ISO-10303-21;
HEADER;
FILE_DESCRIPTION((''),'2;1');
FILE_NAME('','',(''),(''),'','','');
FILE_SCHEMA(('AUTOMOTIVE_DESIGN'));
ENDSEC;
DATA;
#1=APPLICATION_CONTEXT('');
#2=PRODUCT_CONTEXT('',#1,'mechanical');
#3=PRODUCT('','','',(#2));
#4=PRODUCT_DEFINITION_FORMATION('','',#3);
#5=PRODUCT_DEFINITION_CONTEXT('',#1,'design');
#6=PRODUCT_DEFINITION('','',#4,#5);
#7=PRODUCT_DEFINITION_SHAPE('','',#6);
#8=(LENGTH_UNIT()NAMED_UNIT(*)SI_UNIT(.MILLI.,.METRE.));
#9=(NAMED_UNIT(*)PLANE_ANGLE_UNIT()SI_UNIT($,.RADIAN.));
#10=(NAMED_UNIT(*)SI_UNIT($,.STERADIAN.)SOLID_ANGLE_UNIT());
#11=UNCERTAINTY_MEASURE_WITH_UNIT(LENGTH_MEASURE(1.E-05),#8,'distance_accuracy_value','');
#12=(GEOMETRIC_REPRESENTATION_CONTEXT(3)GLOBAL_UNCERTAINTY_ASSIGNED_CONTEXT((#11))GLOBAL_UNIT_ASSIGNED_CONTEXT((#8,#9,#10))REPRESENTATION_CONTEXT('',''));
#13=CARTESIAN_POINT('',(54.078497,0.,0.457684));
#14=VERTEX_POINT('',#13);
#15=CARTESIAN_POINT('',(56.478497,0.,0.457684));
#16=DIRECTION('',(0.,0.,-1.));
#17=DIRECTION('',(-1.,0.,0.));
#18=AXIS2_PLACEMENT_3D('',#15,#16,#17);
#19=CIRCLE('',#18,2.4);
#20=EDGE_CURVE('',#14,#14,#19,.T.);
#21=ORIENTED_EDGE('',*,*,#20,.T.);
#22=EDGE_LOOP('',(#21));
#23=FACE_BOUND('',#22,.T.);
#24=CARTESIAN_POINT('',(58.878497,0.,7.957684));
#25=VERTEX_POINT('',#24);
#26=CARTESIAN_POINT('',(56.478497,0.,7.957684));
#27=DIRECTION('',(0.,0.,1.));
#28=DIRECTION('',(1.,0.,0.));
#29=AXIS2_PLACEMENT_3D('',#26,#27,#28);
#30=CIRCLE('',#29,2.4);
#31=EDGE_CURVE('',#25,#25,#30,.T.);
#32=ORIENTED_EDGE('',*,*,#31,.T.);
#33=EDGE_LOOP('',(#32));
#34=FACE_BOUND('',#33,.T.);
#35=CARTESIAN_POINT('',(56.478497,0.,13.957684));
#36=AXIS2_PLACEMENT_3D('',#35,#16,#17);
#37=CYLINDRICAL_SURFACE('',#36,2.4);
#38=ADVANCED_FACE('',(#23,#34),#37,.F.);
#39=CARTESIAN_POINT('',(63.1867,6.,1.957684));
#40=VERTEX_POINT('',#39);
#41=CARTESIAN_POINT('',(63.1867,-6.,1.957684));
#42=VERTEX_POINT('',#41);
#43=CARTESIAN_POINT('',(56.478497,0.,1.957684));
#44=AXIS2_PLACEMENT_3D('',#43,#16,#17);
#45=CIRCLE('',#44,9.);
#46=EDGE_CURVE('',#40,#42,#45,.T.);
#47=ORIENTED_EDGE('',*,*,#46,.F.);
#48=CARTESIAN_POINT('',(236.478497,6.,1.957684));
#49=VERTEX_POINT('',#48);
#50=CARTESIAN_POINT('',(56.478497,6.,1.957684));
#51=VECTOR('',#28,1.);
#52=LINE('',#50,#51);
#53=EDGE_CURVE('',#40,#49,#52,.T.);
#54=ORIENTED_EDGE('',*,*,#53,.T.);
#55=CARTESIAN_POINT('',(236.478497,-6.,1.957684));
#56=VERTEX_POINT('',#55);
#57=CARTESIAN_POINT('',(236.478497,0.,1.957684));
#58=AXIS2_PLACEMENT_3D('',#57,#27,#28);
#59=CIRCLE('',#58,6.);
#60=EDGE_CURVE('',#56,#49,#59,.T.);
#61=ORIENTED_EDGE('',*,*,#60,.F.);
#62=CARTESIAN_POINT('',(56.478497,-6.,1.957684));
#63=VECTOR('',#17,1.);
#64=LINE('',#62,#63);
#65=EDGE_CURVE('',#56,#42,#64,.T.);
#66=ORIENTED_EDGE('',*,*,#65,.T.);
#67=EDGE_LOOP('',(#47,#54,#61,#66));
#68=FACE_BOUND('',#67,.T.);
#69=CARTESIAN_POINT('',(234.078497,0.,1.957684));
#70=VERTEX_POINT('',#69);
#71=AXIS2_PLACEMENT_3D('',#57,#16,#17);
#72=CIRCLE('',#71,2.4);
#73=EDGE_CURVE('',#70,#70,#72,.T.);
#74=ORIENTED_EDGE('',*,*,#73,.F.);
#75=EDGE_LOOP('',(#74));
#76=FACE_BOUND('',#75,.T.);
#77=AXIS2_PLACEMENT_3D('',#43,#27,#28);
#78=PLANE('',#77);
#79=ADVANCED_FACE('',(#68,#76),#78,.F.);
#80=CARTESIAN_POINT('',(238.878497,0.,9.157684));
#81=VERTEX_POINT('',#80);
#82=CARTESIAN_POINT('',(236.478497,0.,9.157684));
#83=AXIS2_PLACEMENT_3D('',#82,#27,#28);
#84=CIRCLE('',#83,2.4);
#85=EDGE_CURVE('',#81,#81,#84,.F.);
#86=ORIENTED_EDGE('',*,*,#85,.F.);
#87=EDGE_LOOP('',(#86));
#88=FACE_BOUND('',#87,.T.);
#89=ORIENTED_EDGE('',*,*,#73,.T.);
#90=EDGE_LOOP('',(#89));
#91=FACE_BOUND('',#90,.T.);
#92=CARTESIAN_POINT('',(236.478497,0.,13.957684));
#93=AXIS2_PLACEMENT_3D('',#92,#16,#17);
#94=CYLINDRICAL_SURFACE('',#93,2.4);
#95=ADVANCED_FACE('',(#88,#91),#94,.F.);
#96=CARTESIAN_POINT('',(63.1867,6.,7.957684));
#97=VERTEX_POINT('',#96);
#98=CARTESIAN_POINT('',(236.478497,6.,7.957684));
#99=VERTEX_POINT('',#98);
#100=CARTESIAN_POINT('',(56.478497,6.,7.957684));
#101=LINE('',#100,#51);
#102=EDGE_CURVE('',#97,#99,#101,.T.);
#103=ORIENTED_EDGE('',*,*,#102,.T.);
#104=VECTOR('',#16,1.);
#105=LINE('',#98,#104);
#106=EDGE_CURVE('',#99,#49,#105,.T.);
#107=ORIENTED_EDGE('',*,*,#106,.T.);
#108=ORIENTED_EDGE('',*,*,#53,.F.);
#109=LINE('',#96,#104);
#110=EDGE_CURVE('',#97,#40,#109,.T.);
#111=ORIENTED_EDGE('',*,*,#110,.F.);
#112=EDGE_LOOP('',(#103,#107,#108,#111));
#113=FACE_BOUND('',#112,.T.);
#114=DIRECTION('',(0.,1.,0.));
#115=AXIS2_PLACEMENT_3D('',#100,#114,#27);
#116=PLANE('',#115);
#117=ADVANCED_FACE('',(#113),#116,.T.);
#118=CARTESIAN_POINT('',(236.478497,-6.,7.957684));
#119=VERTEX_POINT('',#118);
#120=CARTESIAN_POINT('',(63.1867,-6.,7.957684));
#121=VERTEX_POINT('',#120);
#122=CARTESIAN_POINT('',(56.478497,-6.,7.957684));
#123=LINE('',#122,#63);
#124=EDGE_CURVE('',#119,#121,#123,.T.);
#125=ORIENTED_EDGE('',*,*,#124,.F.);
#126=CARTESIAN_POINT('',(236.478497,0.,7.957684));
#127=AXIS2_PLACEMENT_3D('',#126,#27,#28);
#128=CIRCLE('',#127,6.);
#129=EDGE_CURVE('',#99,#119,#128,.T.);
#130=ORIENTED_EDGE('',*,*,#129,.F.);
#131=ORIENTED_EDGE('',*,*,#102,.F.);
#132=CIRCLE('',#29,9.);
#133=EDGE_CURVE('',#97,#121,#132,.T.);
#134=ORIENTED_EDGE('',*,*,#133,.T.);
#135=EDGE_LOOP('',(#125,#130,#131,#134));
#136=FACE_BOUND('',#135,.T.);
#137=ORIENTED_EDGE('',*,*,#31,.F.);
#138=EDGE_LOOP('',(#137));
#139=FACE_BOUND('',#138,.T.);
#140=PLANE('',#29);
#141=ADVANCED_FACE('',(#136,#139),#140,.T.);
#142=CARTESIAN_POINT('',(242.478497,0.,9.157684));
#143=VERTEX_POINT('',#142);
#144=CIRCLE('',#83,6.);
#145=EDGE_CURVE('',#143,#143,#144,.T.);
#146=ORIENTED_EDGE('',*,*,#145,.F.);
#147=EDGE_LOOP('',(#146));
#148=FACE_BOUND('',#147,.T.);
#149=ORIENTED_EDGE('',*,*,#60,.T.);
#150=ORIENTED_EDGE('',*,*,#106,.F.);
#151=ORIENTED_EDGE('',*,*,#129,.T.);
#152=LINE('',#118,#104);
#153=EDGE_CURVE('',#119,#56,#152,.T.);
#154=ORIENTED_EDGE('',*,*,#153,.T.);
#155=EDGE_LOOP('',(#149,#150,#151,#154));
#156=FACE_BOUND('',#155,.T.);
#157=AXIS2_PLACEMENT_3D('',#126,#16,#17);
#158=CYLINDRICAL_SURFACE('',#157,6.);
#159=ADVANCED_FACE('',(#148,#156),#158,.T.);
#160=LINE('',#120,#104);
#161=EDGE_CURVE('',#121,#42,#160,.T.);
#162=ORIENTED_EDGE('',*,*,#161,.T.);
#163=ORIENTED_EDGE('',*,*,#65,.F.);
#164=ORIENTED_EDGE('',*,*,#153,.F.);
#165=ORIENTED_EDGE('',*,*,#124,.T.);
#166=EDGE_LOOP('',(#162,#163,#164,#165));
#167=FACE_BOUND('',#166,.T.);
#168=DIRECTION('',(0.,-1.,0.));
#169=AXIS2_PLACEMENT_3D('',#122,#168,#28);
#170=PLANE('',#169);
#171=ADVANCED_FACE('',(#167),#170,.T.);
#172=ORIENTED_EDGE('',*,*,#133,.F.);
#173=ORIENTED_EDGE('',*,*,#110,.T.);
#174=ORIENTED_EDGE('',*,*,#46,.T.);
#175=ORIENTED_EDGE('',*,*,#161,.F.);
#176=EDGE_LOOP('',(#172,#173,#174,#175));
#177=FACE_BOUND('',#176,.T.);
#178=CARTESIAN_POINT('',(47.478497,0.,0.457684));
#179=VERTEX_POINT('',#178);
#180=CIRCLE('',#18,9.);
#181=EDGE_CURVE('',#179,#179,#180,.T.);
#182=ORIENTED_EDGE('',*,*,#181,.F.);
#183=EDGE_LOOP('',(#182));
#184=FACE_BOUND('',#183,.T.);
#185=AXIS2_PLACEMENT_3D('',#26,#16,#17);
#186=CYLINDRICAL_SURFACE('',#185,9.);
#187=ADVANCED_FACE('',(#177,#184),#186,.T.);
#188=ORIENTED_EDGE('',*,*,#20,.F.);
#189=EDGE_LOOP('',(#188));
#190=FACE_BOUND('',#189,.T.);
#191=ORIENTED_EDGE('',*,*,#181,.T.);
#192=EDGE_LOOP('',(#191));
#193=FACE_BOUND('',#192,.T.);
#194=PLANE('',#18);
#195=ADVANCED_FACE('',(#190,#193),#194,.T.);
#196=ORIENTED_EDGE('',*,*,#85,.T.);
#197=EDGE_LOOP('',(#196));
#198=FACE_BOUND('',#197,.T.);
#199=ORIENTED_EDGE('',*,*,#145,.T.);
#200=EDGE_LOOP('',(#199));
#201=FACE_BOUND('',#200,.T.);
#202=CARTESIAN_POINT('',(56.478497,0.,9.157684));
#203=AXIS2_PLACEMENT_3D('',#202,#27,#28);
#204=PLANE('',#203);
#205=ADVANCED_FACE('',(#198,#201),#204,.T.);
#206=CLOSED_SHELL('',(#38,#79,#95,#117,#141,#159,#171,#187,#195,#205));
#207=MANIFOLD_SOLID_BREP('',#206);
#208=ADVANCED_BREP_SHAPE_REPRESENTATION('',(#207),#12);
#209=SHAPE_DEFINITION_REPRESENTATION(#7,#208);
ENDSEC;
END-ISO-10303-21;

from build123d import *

# Parameters (mm, degrees)
SKETCH1_R             = 15
BOSS_EXTRUDE1_DEPTH   = 10
SKETCH1_R_2           = 10
BOSS_EXTRUDE1_2_DEPTH = 10
BOSS_EXTRUDE3_DEPTH   = 10
SKETCH13_R            = 4
CUT_EXTRUDE1_DEPTH    = 20
BOSS_EXTRUDE7_START   = 2.5
SKETCH14_R            = 15
SKETCH14_R_2          = 4
BOSS_EXTRUDE7_DEPTH   = 2.5
SKETCH15_R            = 4
BOSS_EXTRUDE8_DEPTH   = 2
ECHELLE1_SCALE        = 0.6


with BuildPart() as part:
    # Sketch1 → Boss-Extrude1 (new body)
    with BuildSketch(Plane.XY):
        Circle(SKETCH1_R)
    extrude(amount=BOSS_EXTRUDE1_DEPTH)



with BuildPart() as body_2:
    # Sketch1 → Boss-Extrude1 2 (new body)
    with BuildSketch(Plane.XY):
        with Locations((300, 0)):
            Circle(SKETCH1_R_2)
    extrude(amount=BOSS_EXTRUDE1_2_DEPTH)


with BuildPart() as part_1:
    add(part.part)

    add(body_2.part)  # Boss-Extrude3 merges body 2
    # Sketch5 → Boss-Extrude3 (add)
    with BuildSketch(Plane.XY):
        with BuildLine():
            Line((300, 10), (11.180339887, 10))
            ThreePointArc((11.180339887, 10), (14.012585384, 5.352331347), (15, 0))
            ThreePointArc((15, 0), (14.012585384, -5.352331347), (11.180339887, -10))
            Line((11.180339887, -10), (300, -10))
            ThreePointArc((300, -10), (290, 0), (300, 10))
        make_face()
    extrude(amount=BOSS_EXTRUDE3_DEPTH)

    # Sketch13 → Cut-Extrude1 (cut)
    with BuildSketch(Plane(origin=(0, 0, 0), x_dir=(-1, 0, 0), z_dir=(0, 0, -1))):
        with Locations((-300, 0)):
            Circle(SKETCH13_R)
        Circle(SKETCH13_R)
    extrude(amount=-CUT_EXTRUDE1_DEPTH, mode=Mode.SUBTRACT)

    # Sketch14 → Boss-Extrude7 (add)
    with BuildSketch(Plane(origin=(0, 0, 0), x_dir=(-1, 0, 0), z_dir=(0, 0, -1)).offset(BOSS_EXTRUDE7_START)):
        Circle(SKETCH14_R)
        Circle(SKETCH14_R_2, mode=Mode.SUBTRACT)
    extrude(amount=-BOSS_EXTRUDE7_DEPTH)

    # Sketch15 → Boss-Extrude8 (add)
    with BuildSketch(Plane.XY.offset(10)):
        with BuildLine():
            ThreePointArc((300, 10), (290, 0), (300, -10))
            ThreePointArc((300, -10), (307.071067812, -7.071067812), (310, 0))
            ThreePointArc((310, 0), (307.071067812, 7.071067812), (300, 10))
        make_face()
        with Locations(Location((300, 0, 0), (0, 0, 180))):
            Circle(SKETCH15_R, mode=Mode.SUBTRACT)
    extrude(amount=BOSS_EXTRUDE8_DEPTH)


with BuildPart() as part_2:
    # Echelle1: scaled about (141.196241325, 0, 4.894209778)
    add(part_1.part.scale(ECHELLE1_SCALE).moved(Location((56.47849653, 0, 1.957683911))))


solid = part_2.part
